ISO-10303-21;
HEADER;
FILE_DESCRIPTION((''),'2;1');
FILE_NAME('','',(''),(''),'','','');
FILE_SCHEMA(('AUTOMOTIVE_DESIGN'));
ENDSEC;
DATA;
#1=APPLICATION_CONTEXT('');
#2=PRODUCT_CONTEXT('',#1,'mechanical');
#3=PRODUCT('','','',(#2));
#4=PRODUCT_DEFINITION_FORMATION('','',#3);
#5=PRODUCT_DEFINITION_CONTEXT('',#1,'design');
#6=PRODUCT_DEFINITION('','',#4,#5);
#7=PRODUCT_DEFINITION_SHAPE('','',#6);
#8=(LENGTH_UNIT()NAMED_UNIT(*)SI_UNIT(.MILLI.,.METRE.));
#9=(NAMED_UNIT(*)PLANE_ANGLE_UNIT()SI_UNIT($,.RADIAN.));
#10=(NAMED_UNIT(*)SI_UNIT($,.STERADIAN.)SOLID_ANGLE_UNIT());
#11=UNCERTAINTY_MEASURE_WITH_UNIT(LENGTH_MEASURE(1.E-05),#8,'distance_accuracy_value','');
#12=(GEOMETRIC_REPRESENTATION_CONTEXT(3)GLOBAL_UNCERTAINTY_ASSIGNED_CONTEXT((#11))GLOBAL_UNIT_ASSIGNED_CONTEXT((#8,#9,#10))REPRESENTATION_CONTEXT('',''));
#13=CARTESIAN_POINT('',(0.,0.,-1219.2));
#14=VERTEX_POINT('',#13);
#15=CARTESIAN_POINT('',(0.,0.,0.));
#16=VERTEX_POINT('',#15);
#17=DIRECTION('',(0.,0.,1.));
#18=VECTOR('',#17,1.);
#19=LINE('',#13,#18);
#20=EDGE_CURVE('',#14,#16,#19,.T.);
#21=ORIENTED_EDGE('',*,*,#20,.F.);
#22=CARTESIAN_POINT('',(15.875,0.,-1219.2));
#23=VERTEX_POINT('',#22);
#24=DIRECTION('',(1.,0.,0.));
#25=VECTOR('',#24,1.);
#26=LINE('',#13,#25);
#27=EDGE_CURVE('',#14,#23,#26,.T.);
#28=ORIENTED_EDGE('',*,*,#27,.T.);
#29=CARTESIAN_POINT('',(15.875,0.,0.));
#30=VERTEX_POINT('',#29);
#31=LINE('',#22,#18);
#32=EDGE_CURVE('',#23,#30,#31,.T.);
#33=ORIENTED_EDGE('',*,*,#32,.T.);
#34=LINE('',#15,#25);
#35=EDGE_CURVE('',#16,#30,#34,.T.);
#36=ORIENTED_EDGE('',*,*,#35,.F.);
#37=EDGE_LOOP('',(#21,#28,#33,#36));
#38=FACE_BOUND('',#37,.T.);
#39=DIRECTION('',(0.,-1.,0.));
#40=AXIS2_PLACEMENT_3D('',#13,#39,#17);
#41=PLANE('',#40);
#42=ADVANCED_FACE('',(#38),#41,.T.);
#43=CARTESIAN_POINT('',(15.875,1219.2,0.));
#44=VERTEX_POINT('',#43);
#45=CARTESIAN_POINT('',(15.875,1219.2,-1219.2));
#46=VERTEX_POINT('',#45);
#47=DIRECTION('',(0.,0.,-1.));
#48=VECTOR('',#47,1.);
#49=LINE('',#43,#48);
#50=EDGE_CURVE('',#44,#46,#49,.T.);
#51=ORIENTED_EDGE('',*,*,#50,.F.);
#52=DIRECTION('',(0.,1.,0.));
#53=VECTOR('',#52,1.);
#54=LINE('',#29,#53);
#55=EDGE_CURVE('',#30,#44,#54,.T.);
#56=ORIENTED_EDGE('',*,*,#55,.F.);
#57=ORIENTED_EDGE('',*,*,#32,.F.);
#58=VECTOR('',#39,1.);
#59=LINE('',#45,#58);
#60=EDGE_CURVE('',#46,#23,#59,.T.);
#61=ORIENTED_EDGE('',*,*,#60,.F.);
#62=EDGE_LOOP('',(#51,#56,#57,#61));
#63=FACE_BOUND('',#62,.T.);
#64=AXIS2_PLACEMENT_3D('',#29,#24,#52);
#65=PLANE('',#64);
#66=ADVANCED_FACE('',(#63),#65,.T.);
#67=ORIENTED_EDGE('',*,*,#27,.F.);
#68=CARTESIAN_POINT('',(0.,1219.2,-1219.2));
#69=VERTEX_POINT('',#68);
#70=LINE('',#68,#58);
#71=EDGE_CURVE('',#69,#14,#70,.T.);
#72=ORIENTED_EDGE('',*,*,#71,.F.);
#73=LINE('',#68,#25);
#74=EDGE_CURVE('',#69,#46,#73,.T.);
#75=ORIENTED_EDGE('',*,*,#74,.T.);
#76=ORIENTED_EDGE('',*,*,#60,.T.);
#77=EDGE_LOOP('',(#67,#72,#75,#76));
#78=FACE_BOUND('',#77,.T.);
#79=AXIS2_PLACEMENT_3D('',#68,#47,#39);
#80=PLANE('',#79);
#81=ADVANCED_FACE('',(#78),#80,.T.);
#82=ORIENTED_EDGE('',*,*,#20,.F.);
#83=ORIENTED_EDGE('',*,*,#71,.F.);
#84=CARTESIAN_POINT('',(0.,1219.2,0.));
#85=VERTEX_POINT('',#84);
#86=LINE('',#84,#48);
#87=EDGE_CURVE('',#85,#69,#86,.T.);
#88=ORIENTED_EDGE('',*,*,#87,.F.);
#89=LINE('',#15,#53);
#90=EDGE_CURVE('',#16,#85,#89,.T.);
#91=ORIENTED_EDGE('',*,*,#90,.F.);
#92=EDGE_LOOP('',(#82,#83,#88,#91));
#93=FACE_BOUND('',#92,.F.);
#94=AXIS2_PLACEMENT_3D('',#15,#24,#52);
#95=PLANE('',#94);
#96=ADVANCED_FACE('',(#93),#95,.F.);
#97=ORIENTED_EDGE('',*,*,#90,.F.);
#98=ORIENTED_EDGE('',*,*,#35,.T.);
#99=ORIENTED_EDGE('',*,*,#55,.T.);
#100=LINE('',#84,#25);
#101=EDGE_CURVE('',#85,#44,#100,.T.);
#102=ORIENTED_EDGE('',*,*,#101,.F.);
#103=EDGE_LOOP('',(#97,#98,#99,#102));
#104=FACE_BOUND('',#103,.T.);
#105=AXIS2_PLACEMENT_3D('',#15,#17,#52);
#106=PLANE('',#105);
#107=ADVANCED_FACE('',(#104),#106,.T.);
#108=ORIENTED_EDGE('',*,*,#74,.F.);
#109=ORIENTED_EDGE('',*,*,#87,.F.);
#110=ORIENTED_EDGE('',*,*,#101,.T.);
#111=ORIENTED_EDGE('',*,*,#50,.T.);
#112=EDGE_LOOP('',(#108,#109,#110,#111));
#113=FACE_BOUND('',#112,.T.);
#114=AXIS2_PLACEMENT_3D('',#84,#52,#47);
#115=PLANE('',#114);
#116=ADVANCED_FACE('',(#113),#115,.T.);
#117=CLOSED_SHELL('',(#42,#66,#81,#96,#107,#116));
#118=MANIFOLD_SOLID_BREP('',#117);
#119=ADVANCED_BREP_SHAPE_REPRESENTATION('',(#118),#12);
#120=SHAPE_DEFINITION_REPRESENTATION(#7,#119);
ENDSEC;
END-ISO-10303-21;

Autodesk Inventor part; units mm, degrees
ref_plane "YZ Plane" through (0, 0, 0) normal (1, 0, 0) x (0, 1, 0)
ref_plane "XZ Plane" through (0, 0, 0) normal (0, 1, 0) x (-1, 0, 0)
ref_plane "XY Plane" through (0, 0, 0) normal (0, 0, 1) x (1, 0, 0)
sketch "Sketch1" plane through (0, 0, 0) normal (1, 0, 0) x (0, 1, 0)
  line L0 (0, 0) -> (1219.2, 0)
  line L1 (1219.2, 0) -> (1219.2, -1219.2)
  line L2 (1219.2, -1219.2) -> (0, -1219.2)
  line L3 (0, -1219.2) -> (0, 0)
  dimension "d0" = 1219.2
  dimension "d1" = 1219.2
extrude "Extrusion1" add sketch "Sketch1" along normal blind 15.875
properties part number "YZ Gyp"
